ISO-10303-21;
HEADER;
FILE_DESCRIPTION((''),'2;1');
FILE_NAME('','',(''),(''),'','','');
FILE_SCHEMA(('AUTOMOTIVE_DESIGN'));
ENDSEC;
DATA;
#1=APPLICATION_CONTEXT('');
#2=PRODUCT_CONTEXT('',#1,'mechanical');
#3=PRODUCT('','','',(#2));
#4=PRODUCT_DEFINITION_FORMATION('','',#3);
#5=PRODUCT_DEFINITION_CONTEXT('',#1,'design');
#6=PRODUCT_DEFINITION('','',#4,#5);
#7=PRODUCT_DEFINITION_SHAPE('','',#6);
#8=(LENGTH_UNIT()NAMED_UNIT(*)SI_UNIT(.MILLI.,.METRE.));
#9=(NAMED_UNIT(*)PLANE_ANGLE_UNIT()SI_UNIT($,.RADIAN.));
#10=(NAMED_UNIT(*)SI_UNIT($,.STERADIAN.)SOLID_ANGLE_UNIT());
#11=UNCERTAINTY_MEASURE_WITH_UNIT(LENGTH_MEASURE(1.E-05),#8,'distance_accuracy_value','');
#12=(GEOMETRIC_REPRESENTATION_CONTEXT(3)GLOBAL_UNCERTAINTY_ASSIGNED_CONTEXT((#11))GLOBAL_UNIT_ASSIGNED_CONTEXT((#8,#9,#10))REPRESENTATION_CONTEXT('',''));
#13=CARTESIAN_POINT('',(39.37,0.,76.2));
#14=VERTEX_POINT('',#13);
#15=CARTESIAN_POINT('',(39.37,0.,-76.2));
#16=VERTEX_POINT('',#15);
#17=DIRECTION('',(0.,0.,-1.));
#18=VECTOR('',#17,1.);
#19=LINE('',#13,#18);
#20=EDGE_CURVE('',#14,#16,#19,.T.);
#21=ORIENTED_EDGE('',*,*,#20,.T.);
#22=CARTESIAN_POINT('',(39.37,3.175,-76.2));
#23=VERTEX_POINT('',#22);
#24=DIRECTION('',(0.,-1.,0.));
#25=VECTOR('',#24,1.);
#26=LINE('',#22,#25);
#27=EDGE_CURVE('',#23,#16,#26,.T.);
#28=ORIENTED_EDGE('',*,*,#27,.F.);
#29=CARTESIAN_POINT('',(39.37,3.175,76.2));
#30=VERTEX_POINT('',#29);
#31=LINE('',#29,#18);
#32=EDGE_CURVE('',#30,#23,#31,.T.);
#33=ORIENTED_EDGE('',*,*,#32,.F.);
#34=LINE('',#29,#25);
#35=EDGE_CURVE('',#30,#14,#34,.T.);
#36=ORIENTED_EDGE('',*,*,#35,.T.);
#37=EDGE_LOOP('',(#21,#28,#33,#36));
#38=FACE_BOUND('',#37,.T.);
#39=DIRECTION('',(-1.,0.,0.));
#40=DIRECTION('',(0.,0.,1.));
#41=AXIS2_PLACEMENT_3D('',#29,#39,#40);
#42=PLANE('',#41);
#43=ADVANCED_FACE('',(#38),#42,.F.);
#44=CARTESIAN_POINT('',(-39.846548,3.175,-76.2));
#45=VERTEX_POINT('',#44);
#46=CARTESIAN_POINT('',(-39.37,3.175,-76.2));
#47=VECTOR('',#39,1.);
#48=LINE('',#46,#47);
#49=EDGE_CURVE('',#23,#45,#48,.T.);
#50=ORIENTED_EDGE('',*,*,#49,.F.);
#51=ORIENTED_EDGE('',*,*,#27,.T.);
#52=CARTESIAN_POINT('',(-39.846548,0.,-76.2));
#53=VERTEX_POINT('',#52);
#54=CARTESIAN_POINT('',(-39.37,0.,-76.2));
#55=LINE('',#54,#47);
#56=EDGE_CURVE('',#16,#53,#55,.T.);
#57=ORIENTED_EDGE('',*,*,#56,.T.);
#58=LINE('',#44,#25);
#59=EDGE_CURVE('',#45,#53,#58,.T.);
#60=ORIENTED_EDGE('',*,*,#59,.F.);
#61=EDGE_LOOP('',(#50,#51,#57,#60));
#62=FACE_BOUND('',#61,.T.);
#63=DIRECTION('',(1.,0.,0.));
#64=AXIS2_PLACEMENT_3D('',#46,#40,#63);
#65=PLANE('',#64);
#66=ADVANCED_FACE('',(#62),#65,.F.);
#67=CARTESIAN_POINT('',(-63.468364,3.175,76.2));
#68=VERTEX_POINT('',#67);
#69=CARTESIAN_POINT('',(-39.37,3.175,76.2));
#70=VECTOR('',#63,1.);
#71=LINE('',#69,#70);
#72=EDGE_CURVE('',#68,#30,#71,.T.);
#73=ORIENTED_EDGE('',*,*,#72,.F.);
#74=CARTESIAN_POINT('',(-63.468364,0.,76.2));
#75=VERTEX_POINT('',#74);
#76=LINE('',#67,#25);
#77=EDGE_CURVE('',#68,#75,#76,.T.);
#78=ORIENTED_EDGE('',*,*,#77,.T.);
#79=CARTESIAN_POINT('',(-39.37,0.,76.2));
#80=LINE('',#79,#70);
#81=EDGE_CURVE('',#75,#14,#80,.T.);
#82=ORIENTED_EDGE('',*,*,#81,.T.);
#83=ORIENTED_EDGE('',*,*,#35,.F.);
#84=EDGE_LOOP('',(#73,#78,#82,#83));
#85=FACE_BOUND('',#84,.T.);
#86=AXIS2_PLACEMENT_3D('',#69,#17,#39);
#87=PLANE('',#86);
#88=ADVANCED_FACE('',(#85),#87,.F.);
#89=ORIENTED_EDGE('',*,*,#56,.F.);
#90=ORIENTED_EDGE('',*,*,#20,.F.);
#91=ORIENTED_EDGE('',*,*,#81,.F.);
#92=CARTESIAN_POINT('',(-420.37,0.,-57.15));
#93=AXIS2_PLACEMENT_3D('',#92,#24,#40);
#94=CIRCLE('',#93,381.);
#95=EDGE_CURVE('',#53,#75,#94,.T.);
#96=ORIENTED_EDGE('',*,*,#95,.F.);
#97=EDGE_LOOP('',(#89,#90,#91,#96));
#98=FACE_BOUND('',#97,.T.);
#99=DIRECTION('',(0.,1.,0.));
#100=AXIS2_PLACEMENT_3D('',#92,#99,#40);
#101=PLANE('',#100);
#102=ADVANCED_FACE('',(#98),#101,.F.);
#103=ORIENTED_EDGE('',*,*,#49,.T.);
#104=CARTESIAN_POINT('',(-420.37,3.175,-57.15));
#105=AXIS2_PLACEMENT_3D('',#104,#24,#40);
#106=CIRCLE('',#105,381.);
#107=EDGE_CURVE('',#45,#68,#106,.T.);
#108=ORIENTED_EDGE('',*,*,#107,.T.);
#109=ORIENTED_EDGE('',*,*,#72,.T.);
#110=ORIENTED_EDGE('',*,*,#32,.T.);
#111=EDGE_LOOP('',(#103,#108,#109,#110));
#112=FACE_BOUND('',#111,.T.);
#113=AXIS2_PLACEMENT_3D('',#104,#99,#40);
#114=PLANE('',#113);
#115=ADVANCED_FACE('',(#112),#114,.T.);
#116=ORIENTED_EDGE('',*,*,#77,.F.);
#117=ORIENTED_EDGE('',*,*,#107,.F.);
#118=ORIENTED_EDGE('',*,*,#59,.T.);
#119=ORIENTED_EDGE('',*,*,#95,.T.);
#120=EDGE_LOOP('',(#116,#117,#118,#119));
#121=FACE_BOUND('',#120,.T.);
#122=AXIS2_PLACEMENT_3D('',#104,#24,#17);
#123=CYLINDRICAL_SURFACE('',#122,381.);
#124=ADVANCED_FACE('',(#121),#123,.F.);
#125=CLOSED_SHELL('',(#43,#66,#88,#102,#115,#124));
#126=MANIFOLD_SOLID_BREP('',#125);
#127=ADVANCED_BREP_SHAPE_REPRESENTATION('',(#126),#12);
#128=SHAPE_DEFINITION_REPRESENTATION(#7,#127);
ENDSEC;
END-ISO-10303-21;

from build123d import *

# Parameters (mm, degrees)
BOSS_EXTRUDE2_DEPTH = 3.175


with BuildPart() as part:
    # Sketch2 → Boss-Extrude2 (new body)
    with BuildSketch(Plane(origin=(0, 0, 0), x_dir=(1, 0, 0), z_dir=(0, 1, 0))):
        with BuildLine():
            Line((-39.37, 76.2), (-39.846548029, 76.2))
            ThreePointArc((-39.846548029, 76.2), (-43.865843386, -1.207690599), (-63.468364392, -76.2))
            Line((-63.468364392, -76.2), (-39.37, -76.2))
            Line((-39.37, -76.2), (39.37, -76.2))
            Line((39.37, -76.2), (39.37, 76.2))
            Line((39.37, 76.2), (-39.37, 76.2))
        make_face()
    extrude(amount=BOSS_EXTRUDE2_DEPTH)


solid = part.part
